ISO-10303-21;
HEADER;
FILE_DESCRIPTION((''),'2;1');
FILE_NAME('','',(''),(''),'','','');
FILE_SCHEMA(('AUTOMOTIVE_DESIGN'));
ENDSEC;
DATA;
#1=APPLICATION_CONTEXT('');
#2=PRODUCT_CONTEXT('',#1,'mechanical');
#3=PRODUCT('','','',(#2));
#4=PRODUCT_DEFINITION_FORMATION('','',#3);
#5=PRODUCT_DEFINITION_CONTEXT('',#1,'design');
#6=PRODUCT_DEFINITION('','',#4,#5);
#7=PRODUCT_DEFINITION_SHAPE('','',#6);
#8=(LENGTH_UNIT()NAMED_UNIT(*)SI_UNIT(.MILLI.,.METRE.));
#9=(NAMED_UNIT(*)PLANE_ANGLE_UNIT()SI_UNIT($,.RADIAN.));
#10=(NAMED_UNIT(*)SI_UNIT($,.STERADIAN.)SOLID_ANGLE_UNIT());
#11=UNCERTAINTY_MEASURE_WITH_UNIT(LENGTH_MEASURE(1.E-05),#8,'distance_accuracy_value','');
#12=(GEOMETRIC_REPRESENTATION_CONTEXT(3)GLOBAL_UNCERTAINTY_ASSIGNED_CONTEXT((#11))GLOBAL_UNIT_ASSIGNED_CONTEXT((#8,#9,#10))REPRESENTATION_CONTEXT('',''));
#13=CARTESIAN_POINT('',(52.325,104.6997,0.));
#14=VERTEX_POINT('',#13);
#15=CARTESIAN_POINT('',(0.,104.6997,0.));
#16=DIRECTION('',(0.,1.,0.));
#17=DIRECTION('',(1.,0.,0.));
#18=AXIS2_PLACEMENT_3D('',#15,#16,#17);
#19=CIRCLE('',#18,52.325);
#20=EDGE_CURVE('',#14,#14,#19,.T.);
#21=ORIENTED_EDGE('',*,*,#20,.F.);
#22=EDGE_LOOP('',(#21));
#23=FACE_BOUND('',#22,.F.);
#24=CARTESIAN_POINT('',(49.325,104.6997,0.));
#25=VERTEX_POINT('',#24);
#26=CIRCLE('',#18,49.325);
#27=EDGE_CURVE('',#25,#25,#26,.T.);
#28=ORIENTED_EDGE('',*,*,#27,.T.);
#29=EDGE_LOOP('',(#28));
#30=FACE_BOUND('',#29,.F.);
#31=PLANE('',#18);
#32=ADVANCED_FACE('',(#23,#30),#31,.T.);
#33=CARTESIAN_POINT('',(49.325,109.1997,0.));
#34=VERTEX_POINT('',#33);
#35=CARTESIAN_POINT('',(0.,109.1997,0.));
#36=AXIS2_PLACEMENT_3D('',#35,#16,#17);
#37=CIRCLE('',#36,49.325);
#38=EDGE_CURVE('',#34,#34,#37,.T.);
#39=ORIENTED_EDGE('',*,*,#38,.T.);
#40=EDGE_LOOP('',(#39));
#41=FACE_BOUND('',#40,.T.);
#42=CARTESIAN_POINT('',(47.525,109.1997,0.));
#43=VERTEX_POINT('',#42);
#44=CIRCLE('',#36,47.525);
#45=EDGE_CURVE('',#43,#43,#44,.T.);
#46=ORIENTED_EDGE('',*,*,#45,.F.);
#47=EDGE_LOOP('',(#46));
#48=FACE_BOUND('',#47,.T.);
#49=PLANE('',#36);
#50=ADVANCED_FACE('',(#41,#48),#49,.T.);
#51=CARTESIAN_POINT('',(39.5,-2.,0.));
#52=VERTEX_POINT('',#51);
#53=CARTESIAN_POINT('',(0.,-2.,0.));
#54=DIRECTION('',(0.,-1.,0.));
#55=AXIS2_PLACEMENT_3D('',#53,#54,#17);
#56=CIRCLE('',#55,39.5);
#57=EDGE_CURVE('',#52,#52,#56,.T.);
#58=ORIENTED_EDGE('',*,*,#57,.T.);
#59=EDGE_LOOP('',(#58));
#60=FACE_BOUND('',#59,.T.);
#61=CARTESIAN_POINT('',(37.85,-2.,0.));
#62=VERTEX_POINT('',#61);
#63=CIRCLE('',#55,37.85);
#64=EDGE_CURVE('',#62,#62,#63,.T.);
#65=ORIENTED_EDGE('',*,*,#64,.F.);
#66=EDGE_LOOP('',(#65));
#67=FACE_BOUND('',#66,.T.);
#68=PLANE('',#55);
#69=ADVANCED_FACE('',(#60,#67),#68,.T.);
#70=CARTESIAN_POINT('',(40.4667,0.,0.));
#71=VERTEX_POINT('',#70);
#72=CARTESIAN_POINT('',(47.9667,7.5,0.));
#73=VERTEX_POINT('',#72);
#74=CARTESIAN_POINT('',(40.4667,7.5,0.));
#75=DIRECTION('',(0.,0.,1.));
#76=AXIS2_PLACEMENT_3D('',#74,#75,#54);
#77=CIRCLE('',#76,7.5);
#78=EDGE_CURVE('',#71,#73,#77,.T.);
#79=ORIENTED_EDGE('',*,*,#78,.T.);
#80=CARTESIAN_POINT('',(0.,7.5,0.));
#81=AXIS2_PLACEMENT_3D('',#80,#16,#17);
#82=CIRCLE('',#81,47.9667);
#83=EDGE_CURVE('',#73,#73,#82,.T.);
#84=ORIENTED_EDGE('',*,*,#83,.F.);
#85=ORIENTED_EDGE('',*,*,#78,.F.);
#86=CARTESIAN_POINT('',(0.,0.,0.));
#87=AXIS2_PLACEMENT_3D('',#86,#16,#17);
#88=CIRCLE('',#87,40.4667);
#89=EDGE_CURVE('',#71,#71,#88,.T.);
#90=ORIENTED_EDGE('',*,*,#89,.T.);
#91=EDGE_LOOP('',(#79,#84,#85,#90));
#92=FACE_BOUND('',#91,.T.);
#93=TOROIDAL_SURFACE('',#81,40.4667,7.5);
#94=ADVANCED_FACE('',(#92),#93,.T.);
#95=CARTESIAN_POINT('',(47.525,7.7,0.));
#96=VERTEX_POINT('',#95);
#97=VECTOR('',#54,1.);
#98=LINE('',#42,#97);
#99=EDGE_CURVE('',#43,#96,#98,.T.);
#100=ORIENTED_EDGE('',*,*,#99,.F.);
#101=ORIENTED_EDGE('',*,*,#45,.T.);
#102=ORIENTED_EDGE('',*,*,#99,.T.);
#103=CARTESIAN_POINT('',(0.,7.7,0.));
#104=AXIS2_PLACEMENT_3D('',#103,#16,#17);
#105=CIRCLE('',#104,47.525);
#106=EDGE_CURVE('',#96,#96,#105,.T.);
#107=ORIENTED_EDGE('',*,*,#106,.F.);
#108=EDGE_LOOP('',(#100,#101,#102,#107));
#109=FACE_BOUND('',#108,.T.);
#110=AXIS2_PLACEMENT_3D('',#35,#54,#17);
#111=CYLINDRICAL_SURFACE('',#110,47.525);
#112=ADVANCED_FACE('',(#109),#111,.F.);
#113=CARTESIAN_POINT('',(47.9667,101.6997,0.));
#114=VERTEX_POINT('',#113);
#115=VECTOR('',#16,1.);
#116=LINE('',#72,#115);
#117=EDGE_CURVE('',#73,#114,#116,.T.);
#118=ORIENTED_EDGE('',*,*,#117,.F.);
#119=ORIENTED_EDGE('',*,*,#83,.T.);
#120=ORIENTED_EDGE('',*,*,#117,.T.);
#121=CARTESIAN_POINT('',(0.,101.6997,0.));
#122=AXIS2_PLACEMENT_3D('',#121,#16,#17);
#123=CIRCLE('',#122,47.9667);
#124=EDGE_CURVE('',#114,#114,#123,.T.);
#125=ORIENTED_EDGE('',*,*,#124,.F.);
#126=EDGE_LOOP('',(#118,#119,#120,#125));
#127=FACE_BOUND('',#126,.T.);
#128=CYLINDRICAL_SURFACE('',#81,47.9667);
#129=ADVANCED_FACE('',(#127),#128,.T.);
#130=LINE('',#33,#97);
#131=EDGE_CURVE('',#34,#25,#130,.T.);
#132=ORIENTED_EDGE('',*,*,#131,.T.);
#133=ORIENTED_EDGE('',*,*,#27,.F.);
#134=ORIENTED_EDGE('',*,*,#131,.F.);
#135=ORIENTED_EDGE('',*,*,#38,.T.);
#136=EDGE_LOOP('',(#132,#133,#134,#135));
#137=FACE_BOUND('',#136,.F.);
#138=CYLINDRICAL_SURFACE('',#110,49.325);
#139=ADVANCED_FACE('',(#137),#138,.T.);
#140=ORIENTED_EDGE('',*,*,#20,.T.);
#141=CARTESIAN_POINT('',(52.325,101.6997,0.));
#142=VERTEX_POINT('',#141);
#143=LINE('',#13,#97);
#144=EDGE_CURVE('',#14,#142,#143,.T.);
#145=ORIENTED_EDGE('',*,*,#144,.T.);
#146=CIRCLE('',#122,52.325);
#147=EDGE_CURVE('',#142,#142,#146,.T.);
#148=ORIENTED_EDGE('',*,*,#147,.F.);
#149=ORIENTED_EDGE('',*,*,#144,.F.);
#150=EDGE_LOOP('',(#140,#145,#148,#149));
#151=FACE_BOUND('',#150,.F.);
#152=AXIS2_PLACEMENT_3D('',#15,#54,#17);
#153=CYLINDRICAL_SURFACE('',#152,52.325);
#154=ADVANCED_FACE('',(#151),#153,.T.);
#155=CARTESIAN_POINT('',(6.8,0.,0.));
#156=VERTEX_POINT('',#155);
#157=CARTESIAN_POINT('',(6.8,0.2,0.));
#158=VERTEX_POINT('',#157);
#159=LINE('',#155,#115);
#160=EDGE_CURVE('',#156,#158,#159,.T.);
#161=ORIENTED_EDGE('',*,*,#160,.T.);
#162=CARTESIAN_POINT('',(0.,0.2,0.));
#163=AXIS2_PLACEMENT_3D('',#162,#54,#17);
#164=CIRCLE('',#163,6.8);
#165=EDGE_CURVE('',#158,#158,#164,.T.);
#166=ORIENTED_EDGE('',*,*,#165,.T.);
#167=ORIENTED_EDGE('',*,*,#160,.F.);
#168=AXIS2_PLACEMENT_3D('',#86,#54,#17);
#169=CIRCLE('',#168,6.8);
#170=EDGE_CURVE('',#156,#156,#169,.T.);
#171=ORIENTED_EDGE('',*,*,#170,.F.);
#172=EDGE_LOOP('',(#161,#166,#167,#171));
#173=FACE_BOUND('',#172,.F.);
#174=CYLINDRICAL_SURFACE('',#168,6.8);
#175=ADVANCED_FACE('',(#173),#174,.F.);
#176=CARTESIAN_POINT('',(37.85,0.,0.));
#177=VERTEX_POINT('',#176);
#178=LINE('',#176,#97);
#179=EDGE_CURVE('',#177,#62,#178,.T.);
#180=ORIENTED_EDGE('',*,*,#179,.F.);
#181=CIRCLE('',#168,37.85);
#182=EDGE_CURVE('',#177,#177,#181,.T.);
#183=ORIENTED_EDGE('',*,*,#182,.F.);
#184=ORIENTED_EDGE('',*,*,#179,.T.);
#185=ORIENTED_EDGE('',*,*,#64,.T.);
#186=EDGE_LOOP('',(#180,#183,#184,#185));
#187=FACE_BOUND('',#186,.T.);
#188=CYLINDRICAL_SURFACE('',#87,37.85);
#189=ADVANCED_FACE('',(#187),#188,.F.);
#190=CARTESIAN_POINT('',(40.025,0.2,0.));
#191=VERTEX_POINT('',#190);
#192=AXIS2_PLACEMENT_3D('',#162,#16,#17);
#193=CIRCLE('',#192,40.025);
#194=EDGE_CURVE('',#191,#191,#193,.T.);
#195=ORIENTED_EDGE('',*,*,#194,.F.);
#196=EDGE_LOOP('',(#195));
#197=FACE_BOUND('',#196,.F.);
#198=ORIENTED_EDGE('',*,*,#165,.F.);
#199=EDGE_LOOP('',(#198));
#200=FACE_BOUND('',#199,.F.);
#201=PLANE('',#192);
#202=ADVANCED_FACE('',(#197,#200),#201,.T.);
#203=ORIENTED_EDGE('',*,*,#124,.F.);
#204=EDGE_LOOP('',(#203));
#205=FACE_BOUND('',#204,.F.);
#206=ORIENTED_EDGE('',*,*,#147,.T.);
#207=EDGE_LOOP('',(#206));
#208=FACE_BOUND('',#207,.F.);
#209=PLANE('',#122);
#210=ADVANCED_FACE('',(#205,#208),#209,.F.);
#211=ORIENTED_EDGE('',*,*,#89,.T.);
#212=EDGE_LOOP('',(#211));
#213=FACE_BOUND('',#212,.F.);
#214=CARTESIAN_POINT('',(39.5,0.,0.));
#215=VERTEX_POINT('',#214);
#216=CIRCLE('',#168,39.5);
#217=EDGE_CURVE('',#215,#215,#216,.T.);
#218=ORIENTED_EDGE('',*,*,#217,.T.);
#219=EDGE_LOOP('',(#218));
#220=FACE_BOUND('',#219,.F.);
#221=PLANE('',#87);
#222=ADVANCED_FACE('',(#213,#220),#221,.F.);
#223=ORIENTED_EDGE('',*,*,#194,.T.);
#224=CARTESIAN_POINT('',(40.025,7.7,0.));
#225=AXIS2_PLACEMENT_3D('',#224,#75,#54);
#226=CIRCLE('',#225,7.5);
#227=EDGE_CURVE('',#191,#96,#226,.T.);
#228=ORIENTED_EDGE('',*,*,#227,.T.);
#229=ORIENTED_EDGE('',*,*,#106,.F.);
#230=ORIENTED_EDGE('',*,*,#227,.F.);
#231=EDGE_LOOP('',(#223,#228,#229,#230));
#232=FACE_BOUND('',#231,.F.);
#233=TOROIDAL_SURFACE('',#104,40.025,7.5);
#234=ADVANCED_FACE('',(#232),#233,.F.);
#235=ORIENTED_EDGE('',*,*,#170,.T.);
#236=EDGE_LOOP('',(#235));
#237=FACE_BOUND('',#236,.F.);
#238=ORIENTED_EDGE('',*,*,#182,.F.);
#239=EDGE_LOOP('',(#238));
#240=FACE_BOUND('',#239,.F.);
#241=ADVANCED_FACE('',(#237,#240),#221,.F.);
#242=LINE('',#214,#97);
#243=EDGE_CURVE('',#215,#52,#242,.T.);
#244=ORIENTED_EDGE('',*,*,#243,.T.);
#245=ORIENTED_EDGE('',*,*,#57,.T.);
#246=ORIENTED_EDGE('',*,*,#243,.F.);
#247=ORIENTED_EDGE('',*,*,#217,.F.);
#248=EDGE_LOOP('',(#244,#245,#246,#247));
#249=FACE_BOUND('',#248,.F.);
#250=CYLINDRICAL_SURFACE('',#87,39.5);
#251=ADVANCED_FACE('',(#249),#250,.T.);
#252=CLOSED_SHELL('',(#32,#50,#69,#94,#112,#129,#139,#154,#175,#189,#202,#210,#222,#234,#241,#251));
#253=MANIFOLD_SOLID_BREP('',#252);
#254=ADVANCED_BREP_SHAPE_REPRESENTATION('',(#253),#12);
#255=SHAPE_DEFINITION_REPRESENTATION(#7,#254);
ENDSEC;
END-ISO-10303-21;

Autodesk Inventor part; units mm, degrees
ref_plane "YZ Plane" through (0, 0, 0) normal (1, 0, 0) x (0, 1, 0)
ref_plane "XZ Plane" through (0, 0, 0) normal (0, 1, 0) x (-1, 0, 0)
ref_plane "XY Plane" through (0, 0, 0) normal (0, 0, 1) x (1, 0, 0)
sketch "Sketch1" plane through (0, 0, 0) normal (0, 0, 1) x (1, 0, 0)
  line L0 (46.8, 0) -> (47.9667, 0)
  line L1 (47.9667, 7.5) -> (47.9667, 101.6997)
  line L2 (47.725, 109.1997) -> (47.525, 109.1997)
  line L3 (47.525, 109.1997) -> (47.525, 7.7)
  line L4 (47.525, 109.1997) -> (49.325, 109.1997)
  line L5 (49.325, 109.1997) -> (49.325, 104.6997)
  line L6 (49.325, 104.6997) -> (52.325, 104.6997)
  line L7 (52.325, 104.6997) -> (52.325, 101.6997)
  line L8 (52.325, 101.6997) -> (49.325, 101.6997)
  line L9 (49.325, 101.6997) -> (47.9667, 101.6997)
  line L10 (0, 0) -> (0, 20.8136)
  line L11 (40.4667, 0) -> (-0.2292, 0)
  line L12 (0, 0) -> (0, 0.2)
  line L13 (0, 0.2) -> (40.025, 0.2)
  arc A0 (40.025, 0.2) -> (47.525, 7.7) centre (40.025, 7.7) ccw
  arc A1 (40.4667, 0) -> (47.9667, 7.5) centre (40.4667, 7.5) ccw
  dimension "d1" = 0.2
  dimension "d2" = 109.2
  dimension "d3" = 1.8
  dimension "d4" = 4.5
  dimension "d5" = 3
  dimension "d6" = 3
  dimension "d7" = 0.2
  dimension "d8" = 90
  dimension "d14" = 7.5
  dimension "d15" = 0.2
revolve "Revolution1" add sketch "Sketch1" angle 360 about axis through (0, 0, 0) along (0, 1, 0)
sketch "Sketch2" plane through (0, 0, 0) normal (0, -1, 0) x (1, 0, 0)
  circle A0 centre (0, 0) radius 6.8
  dimension "d11" = 13.6
extrude "Extrusion1" cut sketch "Sketch2" against normal blind 1
sketch "Sketch3" plane through (0, 0, 0) normal (0, -1, 0) x (1, 0, 0)
  circle A0 centre (0, 0) radius 37.85
  circle A1 centre (0, 0) radius 6.8 projected
  circle A2 centre (0, 0) radius 39.5
  dimension "d16" = 75.7
  dimension "d17" = 79
extrude "Extrusion2" add sketch "Sketch3" along normal blind 2 contours A2
properties part number "ContenedorTest"
